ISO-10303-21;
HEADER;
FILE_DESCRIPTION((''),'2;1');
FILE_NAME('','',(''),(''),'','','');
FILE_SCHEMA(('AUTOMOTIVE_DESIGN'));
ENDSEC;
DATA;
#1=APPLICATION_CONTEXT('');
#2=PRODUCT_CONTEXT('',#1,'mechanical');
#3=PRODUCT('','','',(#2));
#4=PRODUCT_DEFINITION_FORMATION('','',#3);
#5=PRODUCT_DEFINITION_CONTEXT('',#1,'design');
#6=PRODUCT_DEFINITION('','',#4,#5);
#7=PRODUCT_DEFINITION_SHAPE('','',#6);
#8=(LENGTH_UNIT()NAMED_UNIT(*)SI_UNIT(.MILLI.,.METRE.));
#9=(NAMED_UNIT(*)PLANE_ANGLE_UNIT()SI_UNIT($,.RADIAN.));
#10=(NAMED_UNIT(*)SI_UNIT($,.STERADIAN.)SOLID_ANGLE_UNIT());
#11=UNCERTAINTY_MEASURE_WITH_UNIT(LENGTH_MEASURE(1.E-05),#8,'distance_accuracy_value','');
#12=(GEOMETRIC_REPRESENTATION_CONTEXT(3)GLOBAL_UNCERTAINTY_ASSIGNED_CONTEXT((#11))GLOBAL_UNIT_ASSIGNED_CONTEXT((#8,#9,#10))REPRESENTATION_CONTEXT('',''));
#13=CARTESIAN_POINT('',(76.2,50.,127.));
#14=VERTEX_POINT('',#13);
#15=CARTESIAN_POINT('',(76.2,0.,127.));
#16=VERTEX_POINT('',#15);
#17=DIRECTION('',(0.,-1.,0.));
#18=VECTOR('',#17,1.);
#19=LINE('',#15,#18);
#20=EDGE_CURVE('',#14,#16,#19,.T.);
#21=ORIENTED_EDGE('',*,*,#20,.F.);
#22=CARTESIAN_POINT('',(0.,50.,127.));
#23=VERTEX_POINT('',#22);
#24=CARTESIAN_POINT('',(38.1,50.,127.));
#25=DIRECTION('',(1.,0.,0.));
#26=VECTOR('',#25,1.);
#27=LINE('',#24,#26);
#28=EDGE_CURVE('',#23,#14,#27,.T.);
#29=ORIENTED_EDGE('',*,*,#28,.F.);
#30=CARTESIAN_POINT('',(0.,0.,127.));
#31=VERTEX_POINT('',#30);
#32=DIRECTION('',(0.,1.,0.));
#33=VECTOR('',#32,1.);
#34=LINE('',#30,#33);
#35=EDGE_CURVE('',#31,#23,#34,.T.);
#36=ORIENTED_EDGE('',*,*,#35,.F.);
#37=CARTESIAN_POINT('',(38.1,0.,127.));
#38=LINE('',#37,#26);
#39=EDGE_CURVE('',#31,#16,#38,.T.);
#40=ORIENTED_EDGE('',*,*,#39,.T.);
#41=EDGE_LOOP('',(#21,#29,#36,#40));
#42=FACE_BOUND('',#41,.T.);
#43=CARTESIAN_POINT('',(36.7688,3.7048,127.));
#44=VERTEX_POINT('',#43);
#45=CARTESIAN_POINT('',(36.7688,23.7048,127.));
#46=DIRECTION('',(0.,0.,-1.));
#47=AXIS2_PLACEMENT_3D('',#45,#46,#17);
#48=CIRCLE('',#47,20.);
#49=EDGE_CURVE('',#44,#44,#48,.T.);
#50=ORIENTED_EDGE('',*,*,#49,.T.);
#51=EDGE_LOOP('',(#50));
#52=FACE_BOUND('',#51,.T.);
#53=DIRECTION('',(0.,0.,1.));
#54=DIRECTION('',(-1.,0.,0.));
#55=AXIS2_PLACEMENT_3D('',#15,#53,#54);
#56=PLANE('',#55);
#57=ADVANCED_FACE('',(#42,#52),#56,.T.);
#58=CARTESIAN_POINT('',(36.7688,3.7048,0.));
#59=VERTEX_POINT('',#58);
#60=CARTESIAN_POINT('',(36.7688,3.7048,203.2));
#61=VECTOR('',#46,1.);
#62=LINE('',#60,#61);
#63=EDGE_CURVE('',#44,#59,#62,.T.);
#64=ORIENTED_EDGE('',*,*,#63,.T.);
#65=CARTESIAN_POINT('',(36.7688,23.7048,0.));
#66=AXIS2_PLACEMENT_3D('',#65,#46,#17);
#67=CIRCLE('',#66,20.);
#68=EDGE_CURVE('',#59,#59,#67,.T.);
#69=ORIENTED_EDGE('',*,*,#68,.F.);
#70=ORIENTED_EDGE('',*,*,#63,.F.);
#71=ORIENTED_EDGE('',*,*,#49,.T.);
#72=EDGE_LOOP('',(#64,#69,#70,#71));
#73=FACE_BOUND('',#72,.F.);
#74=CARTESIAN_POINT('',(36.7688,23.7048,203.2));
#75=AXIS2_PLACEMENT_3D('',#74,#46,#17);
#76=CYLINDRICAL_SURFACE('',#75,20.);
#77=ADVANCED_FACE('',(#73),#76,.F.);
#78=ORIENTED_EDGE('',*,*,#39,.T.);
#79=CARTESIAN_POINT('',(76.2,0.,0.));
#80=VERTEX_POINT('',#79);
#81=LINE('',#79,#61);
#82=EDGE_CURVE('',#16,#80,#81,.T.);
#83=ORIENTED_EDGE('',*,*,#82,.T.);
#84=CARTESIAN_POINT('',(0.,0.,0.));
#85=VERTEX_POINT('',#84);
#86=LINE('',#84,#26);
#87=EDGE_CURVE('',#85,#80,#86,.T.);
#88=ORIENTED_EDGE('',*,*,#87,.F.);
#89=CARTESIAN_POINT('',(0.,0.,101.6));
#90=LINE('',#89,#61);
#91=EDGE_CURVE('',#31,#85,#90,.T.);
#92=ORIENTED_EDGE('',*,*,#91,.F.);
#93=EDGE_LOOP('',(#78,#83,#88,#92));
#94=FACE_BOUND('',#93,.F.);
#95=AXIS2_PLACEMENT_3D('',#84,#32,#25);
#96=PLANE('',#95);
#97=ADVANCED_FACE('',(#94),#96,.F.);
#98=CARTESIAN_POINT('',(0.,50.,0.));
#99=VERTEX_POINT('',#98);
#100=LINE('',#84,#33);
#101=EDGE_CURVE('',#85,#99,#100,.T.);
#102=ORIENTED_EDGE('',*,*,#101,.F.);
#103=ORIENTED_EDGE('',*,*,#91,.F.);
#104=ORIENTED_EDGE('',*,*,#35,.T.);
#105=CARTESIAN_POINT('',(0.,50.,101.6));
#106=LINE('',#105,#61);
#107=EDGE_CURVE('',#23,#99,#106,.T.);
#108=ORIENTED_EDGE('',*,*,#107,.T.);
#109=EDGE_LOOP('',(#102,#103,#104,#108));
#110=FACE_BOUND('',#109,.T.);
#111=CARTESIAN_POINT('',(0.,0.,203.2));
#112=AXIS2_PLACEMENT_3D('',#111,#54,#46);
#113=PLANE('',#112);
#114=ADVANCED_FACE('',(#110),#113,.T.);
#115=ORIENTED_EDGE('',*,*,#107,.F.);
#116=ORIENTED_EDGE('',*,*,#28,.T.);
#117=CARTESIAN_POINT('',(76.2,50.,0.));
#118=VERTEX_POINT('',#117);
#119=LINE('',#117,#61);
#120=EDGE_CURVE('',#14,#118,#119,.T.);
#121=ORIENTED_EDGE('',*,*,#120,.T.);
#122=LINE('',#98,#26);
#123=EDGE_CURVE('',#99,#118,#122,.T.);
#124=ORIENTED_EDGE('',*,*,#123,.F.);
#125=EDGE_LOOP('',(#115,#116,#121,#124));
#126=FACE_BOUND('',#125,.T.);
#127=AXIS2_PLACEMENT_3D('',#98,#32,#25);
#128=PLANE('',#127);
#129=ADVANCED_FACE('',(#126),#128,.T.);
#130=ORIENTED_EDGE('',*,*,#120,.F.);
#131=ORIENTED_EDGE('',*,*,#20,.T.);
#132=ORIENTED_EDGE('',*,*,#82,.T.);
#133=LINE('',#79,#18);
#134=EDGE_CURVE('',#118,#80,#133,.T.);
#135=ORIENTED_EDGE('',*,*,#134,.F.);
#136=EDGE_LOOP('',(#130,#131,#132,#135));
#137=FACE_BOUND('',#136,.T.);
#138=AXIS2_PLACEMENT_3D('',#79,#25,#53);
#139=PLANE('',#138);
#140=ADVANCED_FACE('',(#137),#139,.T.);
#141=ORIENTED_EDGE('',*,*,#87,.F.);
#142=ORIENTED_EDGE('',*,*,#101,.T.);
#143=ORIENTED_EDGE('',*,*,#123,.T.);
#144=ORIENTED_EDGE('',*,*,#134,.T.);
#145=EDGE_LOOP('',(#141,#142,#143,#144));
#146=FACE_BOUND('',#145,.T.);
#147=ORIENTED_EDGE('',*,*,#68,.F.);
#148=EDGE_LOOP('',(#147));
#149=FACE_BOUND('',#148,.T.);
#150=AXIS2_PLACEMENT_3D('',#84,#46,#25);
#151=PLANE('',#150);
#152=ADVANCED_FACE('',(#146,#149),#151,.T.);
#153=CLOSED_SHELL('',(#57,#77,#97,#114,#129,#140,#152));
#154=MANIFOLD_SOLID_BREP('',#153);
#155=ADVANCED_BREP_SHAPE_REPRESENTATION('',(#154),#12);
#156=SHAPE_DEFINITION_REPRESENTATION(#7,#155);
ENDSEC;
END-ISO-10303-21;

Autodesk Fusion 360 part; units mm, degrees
sketch "Sketch1" plane through (0, 0, 0) normal (0, 1, 0) x (1, 0, 0)
  line L0 (0, 0) -> (76.2, 0)
  line L1 (76.2, 0) -> (76.2, -203.2)
  line L2 (76.2, -203.2) -> (0, -203.2)
  line L3 (0, -203.2) -> (0, 0)
  dimension "d1" = 76.2
  dimension "d2" = 203.2
extrude "Extrude1" add sketch "Sketch1" along normal blind 50
hole "Hole1" at (36.7688, 23.7048, 203.2) direction (0, 0, -1) diameter 40 end through all
sketch "Sketch2" plane through (0, 50, 0) normal (0, 1, 0) x (-1, 0, 0)
  line L0 (0, 203.2) -> (-76.2, 203.2)
  line L1 (-76.2, 203.2) -> (-76.2, 0)
  line L2 (-76.2, 0) -> (0, 0)
  line L3 (0, 0) -> (0, 203.2)
  line L4 (150, 0) -> (73.8, 0)
  line L5 (73.8, 0) -> (73.8, 127)
  line L6 (73.8, 127) -> (150, 127)
  line L7 (150, 127) -> (150, 0)
  dimension "d8" = 76.2
  dimension "d9" = 127
sketch "Sketch3" plane through (0, 0, 0) normal (0, 1, 0) x (1, 0, 0)
  line L0 (79.4367, 34.7313) -> (3.2367, 34.7313)
  line L1 (3.2367, 34.7313) -> (3.2367, 237.9313)
  line L2 (3.2367, 237.9313) -> (79.4367, 237.9313)
  line L3 (79.4367, 237.9313) -> (79.4367, 34.7313)
  dimension "d13" = 76.2
  dimension "d14" = 203.2
move_face "OffsetFaces1" offset -76.2 1 faces at (69.7043, 25.0665, 203.2)
